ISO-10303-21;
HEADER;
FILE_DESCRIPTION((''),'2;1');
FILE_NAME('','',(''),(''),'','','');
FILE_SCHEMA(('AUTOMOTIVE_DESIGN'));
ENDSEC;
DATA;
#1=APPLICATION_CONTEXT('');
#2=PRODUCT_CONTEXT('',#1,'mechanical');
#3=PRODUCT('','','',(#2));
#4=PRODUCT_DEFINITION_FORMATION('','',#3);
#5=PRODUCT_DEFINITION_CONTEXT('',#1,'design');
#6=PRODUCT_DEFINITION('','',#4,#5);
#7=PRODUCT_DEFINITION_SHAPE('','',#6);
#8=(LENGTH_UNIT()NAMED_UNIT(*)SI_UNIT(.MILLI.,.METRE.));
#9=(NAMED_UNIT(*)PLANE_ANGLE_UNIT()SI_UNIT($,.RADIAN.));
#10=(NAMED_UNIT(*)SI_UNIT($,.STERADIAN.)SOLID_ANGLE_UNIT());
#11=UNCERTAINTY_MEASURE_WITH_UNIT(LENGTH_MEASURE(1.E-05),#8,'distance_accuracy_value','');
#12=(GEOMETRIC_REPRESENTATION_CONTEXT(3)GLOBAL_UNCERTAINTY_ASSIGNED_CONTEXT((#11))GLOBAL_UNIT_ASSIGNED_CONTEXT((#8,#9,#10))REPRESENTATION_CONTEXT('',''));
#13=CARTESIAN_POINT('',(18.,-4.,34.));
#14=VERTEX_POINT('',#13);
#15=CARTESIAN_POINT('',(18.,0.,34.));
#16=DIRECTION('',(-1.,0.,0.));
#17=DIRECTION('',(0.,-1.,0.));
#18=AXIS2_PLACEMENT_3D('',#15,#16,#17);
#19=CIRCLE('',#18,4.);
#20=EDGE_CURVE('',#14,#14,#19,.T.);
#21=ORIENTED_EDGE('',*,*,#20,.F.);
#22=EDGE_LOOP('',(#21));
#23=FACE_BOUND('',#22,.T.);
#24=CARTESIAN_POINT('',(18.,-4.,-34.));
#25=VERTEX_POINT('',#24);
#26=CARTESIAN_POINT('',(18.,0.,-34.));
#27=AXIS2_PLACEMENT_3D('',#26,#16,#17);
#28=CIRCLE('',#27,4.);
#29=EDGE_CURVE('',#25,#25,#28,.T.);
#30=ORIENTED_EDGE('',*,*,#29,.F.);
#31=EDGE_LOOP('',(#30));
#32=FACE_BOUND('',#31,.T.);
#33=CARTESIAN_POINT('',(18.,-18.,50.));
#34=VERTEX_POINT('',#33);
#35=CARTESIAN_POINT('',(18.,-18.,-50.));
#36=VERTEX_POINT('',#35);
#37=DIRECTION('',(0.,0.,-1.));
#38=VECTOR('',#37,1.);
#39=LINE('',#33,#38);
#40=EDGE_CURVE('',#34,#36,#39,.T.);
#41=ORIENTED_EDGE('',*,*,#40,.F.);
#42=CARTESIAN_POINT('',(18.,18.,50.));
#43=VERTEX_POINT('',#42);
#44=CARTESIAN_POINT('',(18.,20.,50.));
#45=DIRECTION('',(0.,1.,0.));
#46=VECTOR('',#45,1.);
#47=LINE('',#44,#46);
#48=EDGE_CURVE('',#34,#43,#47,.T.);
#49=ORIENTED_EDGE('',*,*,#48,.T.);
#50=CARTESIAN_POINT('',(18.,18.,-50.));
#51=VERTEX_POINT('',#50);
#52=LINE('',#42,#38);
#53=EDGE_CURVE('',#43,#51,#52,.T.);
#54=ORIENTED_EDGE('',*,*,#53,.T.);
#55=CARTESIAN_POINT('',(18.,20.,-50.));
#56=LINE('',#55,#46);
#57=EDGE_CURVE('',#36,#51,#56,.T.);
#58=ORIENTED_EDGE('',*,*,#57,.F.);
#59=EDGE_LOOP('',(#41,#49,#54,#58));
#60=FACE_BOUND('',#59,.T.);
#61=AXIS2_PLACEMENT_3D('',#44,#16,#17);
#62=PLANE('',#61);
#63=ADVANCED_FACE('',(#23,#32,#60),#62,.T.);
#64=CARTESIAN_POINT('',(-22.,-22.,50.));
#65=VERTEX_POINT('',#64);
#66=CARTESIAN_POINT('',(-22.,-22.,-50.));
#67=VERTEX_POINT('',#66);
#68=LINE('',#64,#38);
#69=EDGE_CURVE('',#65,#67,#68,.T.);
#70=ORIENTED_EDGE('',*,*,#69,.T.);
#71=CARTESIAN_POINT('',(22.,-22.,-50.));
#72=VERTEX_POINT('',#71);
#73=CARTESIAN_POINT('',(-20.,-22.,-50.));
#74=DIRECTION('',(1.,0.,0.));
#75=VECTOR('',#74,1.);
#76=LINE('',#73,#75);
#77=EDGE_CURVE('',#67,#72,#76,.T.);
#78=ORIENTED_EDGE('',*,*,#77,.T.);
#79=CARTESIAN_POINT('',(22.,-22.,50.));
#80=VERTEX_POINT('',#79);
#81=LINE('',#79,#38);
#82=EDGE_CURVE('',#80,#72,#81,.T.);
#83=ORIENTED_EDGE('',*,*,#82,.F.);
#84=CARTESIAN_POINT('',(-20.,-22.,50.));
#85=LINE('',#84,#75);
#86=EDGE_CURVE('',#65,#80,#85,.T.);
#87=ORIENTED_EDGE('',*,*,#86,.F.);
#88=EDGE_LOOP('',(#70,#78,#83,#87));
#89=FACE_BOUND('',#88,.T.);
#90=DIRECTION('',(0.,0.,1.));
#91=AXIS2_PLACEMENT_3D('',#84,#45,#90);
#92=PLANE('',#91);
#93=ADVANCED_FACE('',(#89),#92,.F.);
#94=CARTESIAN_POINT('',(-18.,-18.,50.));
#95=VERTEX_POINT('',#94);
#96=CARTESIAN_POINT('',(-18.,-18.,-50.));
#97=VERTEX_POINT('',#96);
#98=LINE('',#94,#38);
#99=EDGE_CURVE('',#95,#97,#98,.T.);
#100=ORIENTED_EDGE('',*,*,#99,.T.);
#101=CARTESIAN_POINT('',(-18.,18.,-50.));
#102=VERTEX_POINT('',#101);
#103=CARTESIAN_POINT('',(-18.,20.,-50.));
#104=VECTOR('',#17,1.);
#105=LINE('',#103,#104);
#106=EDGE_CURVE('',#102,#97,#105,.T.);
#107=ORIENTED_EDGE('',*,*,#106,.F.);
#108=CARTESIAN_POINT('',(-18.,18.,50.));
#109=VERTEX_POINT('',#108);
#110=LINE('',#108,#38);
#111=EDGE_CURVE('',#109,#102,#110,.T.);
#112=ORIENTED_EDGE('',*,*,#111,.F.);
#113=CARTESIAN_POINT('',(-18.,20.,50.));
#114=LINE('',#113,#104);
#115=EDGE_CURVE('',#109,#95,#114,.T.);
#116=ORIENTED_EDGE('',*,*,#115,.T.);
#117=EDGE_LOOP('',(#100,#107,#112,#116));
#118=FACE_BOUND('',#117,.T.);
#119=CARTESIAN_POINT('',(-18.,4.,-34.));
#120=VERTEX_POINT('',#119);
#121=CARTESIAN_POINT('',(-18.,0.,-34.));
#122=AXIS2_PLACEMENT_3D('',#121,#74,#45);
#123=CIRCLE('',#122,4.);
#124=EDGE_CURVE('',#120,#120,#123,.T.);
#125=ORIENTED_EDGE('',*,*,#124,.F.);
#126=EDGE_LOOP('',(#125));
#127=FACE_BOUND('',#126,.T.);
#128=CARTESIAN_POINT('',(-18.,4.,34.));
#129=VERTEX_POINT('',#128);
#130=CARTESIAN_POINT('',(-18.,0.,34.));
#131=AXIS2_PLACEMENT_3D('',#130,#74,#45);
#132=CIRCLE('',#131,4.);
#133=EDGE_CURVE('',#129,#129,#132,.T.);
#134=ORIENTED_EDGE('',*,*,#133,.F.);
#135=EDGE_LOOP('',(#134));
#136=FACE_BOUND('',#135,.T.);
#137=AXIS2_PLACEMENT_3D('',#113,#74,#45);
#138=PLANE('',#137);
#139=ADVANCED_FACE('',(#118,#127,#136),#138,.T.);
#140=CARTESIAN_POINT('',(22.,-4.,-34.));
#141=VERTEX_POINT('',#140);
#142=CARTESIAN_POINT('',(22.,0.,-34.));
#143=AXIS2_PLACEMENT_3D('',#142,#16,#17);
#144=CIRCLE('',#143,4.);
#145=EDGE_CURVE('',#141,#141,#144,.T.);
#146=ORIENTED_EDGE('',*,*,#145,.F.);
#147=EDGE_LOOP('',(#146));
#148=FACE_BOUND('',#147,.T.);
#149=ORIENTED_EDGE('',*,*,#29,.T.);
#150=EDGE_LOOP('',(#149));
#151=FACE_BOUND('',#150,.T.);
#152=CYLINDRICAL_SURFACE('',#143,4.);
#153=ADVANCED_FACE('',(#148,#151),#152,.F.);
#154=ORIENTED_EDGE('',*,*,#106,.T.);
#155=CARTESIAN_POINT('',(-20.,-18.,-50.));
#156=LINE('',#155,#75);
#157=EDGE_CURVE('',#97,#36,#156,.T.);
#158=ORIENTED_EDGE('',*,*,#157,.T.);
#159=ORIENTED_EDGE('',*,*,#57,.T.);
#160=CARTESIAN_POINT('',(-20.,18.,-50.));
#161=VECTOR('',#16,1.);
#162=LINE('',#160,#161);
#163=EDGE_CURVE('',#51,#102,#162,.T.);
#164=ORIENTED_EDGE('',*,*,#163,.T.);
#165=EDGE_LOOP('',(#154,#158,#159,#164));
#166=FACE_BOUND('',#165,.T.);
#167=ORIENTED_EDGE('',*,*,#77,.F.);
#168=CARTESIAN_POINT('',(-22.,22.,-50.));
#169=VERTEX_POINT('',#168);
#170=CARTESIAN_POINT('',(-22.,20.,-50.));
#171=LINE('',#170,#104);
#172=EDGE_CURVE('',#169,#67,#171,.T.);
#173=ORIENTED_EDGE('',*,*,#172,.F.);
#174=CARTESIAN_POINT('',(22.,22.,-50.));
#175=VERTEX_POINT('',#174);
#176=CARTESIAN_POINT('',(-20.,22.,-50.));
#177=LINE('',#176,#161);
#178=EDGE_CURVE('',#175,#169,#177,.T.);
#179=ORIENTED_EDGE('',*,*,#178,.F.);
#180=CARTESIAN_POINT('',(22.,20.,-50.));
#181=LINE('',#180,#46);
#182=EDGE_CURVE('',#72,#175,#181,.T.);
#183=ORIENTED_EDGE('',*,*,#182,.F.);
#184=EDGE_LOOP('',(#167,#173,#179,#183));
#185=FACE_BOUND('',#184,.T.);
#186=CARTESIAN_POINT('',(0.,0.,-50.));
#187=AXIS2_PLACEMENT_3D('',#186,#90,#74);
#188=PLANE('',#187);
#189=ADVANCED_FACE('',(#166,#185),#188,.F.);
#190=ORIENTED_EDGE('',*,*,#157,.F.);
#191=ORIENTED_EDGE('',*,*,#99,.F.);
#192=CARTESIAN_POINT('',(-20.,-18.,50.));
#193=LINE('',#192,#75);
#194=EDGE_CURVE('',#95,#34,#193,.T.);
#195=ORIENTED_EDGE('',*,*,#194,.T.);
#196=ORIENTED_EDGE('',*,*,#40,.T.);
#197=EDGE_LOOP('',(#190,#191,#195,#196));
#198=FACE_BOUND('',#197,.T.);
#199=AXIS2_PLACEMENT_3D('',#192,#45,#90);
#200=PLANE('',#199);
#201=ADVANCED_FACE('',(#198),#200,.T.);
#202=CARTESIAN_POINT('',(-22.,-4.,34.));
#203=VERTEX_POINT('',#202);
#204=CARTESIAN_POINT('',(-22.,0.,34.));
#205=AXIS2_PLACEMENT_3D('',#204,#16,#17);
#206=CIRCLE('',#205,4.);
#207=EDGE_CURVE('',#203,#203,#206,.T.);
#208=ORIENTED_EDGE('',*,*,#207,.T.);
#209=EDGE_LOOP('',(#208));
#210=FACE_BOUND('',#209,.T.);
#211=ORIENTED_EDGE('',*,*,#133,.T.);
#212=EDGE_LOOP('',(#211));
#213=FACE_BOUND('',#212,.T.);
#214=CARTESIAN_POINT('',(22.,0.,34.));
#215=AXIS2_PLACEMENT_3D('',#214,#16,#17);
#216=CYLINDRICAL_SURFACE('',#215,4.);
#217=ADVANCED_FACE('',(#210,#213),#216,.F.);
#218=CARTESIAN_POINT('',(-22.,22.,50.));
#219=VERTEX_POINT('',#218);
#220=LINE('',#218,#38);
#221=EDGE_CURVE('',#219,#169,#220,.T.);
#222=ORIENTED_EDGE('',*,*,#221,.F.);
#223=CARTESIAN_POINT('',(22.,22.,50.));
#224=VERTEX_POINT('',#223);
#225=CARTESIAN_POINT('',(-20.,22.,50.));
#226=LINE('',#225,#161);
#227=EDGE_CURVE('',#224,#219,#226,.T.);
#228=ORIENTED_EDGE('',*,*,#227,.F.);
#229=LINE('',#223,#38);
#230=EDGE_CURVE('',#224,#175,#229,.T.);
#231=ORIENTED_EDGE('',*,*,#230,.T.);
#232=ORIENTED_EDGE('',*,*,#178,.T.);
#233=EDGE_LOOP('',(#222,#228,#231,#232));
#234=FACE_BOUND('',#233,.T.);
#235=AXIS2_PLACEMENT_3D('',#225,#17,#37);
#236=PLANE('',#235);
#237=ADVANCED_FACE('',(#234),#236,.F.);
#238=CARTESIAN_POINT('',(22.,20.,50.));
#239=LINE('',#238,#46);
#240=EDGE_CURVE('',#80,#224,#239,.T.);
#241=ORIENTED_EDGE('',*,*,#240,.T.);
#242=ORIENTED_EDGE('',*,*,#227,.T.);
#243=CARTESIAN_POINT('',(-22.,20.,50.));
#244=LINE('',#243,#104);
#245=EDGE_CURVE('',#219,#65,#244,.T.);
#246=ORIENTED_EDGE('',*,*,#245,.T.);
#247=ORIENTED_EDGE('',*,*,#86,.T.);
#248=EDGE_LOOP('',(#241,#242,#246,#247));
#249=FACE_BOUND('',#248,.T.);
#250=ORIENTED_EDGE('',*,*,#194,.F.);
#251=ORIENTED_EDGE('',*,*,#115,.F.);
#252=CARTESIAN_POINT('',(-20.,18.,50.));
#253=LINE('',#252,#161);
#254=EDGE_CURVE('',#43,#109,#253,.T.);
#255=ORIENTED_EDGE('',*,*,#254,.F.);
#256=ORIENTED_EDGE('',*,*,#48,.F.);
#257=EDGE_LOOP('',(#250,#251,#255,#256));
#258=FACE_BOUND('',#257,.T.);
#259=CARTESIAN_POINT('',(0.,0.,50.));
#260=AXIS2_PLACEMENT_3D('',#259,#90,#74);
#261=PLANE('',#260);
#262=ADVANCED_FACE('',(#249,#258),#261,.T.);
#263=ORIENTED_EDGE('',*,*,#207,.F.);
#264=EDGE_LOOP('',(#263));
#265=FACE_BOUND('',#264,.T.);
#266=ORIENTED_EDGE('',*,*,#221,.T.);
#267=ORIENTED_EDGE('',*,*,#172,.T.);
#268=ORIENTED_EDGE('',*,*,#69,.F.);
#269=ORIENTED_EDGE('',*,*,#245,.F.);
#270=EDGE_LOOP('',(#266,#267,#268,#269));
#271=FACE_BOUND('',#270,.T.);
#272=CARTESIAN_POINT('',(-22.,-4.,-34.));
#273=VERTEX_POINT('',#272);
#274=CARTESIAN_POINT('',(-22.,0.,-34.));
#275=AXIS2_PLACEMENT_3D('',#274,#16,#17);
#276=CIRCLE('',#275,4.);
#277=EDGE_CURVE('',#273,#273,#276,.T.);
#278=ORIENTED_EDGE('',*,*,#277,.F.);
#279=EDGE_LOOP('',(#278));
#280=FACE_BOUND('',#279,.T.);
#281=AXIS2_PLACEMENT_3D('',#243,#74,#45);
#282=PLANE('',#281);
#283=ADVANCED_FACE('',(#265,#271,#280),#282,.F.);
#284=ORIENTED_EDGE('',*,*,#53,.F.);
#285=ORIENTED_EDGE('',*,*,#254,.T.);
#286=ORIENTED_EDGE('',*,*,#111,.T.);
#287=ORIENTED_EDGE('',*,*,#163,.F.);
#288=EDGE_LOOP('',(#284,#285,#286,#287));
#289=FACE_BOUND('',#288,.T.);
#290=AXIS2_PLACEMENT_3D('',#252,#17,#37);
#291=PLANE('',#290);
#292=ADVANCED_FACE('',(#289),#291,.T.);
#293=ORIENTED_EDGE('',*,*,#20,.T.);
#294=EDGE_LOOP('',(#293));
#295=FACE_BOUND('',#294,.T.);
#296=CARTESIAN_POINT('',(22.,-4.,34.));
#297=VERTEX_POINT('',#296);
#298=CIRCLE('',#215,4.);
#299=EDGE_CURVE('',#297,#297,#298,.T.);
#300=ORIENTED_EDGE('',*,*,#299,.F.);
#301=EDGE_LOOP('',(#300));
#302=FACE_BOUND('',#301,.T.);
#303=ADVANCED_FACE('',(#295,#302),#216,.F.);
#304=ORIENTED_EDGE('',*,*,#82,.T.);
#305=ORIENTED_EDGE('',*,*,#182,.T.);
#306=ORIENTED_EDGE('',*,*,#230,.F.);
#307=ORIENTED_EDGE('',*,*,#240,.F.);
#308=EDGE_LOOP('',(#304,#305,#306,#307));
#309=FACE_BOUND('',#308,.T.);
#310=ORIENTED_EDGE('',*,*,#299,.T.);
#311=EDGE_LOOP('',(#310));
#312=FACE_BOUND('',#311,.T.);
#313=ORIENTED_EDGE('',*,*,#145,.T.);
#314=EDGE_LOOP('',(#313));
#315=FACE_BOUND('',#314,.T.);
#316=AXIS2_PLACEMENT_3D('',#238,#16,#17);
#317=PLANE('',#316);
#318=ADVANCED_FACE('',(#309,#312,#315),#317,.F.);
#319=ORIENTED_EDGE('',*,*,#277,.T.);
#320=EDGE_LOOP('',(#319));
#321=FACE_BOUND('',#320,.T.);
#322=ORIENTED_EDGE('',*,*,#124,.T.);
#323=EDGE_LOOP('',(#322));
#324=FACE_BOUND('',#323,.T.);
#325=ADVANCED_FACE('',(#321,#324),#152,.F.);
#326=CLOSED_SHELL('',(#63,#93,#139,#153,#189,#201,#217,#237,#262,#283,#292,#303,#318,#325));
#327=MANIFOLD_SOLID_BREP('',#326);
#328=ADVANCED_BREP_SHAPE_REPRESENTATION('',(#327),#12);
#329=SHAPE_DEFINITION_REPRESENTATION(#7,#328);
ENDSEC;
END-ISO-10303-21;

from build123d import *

# Parameters (mm, degrees)
SKETCH1_W           = 44
SKETCH1_H           = 44
SKETCH1_W_2         = 36
SKETCH1_H_2         = 36
EXTRUDE_THIN1_DEPTH = 50
SKETCH2_R           = 4
CUT_EXTRUDE1_DEPTH  = 45


with BuildPart() as part:
    # Sketch1 → Extrude-Thin1 (new body, symmetric)
    with BuildSketch(Plane.XY):
        Rectangle(SKETCH1_W, SKETCH1_H)
        Rectangle(SKETCH1_W_2, SKETCH1_H_2, mode=Mode.SUBTRACT)
    extrude(amount=EXTRUDE_THIN1_DEPTH, both=True)

    # Sketch2 → Cut-Extrude1 (cut, through all)
    with BuildSketch(Plane.ZY.offset(22)):
        with Locations((34, 0)):
            Circle(SKETCH2_R)
        with Locations((-34, 0)):
            Circle(SKETCH2_R)
    extrude(amount=-CUT_EXTRUDE1_DEPTH, mode=Mode.SUBTRACT)


solid = part.part
